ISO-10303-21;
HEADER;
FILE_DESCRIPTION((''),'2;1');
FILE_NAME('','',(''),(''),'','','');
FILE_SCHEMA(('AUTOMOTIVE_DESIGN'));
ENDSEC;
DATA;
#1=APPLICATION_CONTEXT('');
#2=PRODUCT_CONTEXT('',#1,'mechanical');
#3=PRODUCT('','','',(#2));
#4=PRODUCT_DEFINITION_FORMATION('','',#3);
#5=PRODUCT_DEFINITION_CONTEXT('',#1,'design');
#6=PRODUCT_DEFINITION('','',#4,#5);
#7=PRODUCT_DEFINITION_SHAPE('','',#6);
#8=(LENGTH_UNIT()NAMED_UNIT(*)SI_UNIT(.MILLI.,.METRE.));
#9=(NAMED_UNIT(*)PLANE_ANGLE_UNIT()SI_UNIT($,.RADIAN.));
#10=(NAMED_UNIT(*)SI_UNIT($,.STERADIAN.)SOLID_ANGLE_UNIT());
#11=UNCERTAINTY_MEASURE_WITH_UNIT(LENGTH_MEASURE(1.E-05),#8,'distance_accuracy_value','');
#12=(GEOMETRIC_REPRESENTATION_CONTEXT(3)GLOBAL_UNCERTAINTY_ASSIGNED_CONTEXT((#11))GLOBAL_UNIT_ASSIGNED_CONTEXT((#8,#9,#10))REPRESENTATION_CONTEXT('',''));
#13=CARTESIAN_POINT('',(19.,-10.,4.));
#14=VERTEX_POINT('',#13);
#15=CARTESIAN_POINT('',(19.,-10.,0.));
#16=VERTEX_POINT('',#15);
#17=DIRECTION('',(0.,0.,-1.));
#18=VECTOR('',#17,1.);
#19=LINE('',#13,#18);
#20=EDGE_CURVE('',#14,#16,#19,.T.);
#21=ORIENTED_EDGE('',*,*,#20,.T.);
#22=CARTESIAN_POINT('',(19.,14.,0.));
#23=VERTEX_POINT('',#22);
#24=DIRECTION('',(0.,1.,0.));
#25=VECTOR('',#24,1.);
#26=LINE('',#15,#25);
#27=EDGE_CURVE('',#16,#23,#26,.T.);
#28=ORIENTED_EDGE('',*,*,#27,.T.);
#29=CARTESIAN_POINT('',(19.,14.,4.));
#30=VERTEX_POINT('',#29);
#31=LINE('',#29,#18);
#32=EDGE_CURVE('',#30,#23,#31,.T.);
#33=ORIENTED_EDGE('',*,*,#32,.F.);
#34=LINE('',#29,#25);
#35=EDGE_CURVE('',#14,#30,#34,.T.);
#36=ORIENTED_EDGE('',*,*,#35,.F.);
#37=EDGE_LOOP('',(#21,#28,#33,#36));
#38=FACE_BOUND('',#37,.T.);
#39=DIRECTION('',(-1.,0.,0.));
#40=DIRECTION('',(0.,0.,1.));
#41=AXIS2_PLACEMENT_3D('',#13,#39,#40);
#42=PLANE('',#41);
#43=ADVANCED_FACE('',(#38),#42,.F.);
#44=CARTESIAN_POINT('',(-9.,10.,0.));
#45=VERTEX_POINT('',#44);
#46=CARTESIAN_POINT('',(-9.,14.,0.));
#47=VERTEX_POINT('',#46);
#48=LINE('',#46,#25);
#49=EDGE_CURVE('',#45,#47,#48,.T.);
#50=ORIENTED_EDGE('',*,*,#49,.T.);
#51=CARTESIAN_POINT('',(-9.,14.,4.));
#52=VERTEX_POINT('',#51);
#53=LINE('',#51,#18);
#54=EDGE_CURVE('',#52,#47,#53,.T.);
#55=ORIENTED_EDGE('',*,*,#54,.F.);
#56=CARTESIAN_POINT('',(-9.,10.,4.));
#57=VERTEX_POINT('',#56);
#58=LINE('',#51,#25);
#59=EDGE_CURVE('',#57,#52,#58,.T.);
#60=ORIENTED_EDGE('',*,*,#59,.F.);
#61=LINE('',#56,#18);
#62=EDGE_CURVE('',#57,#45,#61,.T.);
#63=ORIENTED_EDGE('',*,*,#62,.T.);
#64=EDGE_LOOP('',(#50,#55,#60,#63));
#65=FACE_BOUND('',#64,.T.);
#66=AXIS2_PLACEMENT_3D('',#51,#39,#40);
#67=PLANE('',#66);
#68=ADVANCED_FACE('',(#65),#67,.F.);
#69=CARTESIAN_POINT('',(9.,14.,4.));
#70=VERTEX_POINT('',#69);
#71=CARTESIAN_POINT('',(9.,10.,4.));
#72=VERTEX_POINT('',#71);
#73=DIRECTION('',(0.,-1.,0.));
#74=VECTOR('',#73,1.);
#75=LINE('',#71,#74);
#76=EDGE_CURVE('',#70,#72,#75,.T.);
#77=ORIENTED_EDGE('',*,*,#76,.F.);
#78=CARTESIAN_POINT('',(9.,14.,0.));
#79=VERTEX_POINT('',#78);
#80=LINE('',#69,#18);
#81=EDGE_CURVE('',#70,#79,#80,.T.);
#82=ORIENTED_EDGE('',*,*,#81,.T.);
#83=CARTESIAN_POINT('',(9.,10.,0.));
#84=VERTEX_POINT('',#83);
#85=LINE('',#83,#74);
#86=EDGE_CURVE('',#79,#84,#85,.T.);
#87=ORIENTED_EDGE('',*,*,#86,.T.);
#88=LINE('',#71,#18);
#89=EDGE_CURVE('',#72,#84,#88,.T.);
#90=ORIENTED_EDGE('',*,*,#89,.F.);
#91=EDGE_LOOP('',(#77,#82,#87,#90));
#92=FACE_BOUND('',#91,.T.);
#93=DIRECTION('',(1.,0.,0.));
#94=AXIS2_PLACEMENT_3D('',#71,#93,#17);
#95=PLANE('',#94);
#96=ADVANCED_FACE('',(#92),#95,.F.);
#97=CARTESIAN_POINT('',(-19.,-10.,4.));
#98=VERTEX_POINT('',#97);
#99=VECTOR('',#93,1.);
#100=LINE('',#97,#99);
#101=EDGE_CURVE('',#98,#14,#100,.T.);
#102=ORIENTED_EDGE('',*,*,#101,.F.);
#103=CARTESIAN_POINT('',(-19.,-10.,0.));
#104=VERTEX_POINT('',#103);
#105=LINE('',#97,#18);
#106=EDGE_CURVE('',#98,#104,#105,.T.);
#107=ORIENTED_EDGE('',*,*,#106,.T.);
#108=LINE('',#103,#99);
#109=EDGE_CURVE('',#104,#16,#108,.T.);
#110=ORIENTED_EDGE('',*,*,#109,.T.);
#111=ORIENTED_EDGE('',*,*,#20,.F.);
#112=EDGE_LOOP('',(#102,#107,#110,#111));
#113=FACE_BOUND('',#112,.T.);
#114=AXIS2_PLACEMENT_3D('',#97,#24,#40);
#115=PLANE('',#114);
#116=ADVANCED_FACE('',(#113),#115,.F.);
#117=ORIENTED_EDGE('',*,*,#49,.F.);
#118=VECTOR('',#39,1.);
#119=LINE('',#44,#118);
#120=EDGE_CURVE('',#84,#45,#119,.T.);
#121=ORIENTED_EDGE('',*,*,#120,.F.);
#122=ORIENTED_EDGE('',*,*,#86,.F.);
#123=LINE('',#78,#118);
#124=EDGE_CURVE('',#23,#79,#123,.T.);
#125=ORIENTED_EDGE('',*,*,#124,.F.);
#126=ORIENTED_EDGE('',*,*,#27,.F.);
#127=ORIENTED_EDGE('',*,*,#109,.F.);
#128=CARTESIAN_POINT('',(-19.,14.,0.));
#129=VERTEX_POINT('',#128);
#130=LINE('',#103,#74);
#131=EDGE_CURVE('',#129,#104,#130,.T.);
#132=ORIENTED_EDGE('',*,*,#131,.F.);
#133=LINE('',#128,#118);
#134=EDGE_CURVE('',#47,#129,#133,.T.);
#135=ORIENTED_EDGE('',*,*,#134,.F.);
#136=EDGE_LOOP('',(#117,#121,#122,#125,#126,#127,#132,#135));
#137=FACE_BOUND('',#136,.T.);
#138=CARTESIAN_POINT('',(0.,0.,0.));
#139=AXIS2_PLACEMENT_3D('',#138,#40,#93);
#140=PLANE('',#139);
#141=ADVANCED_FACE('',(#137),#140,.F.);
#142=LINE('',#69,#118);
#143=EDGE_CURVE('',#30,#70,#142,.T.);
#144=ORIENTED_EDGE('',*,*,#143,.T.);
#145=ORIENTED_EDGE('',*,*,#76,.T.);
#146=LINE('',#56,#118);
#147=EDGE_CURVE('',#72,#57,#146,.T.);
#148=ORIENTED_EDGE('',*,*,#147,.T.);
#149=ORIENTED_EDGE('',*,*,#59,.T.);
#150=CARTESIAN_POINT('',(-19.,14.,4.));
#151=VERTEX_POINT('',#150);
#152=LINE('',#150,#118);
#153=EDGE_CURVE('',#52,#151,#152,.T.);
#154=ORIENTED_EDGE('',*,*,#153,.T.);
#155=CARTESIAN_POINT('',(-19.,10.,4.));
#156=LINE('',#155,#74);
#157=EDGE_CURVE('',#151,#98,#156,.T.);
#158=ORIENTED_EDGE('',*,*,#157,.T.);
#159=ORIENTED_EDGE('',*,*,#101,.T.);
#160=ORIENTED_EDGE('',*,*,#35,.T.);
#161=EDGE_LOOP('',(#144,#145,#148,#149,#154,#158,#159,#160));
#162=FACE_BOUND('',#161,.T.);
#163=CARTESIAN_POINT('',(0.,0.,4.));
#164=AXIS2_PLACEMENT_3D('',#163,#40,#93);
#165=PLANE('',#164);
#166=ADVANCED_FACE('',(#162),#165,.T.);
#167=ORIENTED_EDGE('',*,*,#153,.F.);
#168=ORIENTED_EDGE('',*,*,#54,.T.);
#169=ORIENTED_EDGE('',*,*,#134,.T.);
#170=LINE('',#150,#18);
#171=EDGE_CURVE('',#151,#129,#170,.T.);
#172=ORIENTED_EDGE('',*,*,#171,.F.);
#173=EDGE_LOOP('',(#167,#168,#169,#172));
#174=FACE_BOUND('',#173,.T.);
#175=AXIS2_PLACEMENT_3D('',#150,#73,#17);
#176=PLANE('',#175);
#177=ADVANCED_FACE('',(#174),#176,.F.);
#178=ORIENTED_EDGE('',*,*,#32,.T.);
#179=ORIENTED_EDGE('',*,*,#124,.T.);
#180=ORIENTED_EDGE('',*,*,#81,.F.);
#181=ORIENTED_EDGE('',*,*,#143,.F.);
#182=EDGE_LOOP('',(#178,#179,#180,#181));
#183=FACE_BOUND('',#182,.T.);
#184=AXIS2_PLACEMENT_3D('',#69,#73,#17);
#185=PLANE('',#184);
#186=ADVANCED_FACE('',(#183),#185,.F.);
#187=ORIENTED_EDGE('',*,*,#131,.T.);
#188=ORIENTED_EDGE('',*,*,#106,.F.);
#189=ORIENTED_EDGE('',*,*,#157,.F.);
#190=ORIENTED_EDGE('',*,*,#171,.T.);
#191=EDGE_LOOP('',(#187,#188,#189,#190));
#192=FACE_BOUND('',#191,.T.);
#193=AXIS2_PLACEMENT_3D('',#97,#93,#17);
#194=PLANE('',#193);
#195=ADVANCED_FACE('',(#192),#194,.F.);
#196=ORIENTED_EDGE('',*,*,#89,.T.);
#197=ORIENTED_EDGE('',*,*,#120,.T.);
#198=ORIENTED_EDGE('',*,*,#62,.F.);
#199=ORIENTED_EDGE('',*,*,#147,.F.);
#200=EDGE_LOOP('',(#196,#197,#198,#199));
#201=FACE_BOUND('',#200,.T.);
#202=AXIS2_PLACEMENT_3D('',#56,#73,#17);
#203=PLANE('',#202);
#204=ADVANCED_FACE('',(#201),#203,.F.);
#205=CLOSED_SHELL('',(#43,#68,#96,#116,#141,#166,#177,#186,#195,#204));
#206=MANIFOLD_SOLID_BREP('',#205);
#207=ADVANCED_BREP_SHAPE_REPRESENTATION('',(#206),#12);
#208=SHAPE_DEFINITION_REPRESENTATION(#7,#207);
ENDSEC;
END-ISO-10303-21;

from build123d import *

# Parameters (mm, degrees)
BOSS_EXTRUDE1_DEPTH = 4


with BuildPart() as part:
    # Sketch1 → Boss-Extrude1 (new body)
    with BuildSketch(Plane.XY):
        Polygon((-19, 10), (-19, 14), (-9, 14), (-9, 10), (9, 10), (9, 14), (19, 14), (19, 10), (19, -10), (-19, -10), align=None)
    extrude(amount=BOSS_EXTRUDE1_DEPTH)


solid = part.part
